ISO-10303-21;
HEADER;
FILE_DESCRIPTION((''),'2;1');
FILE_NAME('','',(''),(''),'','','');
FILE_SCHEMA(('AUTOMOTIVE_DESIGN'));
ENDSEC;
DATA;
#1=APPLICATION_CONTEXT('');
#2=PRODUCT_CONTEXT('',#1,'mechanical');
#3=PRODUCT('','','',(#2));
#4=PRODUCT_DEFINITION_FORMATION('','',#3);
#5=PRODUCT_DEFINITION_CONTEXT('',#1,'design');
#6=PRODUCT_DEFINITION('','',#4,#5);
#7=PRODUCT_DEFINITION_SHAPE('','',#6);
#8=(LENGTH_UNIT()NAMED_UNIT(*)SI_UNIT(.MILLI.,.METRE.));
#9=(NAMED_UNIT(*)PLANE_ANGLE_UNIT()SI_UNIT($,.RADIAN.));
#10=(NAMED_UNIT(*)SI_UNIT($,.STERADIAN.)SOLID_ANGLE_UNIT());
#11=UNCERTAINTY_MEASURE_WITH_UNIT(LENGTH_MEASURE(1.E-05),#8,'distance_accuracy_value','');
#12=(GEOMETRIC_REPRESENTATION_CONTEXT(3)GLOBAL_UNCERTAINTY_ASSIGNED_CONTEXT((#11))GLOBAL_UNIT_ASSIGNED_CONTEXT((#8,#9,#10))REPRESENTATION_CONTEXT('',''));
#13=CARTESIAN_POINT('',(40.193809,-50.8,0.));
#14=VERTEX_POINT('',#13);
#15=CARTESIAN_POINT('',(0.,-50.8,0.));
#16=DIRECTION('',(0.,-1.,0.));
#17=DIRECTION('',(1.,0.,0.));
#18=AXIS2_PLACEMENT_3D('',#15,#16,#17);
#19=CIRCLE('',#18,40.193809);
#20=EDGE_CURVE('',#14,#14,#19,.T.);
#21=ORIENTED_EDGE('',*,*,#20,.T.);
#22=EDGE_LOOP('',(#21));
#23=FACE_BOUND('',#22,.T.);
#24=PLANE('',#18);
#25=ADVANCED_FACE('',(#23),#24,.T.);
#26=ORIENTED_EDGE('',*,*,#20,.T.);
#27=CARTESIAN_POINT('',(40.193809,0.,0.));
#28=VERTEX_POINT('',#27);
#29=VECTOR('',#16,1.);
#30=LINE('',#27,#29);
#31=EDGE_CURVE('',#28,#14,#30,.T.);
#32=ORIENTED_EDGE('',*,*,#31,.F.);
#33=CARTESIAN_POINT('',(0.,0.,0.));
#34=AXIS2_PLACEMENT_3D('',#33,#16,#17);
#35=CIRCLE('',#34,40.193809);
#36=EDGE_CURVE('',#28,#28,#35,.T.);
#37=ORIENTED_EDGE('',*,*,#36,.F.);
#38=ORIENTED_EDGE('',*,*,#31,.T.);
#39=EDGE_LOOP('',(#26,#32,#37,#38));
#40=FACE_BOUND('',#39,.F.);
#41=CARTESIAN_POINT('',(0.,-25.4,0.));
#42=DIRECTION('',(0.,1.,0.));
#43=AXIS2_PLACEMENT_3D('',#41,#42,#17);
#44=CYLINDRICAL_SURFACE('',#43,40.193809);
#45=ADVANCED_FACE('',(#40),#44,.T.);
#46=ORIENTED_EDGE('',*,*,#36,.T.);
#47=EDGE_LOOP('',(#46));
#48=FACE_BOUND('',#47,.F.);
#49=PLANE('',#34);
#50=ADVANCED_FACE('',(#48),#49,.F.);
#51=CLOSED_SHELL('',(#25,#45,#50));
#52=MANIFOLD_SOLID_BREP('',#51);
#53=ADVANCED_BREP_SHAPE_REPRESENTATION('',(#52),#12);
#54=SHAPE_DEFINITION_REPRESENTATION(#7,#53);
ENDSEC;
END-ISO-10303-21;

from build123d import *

# Parameters (mm, degrees)
F0_R      = 40.193809
F1_DEPTH  = 25.4
F1_FACE_R = 40.193809
F2_DEPTH  = 25.4


with BuildPart() as f1:
    # F0 (on Front) → F1 (new body)
    with BuildSketch(Plane.XZ):
        Circle(F0_R)
    extrude(amount=F1_DEPTH)

    # F1_face (on face) → F2 (join)
    with BuildSketch(Plane.XZ.offset(25.4)):
        Circle(F1_FACE_R)
    extrude(amount=F2_DEPTH)


solid = f1.part
